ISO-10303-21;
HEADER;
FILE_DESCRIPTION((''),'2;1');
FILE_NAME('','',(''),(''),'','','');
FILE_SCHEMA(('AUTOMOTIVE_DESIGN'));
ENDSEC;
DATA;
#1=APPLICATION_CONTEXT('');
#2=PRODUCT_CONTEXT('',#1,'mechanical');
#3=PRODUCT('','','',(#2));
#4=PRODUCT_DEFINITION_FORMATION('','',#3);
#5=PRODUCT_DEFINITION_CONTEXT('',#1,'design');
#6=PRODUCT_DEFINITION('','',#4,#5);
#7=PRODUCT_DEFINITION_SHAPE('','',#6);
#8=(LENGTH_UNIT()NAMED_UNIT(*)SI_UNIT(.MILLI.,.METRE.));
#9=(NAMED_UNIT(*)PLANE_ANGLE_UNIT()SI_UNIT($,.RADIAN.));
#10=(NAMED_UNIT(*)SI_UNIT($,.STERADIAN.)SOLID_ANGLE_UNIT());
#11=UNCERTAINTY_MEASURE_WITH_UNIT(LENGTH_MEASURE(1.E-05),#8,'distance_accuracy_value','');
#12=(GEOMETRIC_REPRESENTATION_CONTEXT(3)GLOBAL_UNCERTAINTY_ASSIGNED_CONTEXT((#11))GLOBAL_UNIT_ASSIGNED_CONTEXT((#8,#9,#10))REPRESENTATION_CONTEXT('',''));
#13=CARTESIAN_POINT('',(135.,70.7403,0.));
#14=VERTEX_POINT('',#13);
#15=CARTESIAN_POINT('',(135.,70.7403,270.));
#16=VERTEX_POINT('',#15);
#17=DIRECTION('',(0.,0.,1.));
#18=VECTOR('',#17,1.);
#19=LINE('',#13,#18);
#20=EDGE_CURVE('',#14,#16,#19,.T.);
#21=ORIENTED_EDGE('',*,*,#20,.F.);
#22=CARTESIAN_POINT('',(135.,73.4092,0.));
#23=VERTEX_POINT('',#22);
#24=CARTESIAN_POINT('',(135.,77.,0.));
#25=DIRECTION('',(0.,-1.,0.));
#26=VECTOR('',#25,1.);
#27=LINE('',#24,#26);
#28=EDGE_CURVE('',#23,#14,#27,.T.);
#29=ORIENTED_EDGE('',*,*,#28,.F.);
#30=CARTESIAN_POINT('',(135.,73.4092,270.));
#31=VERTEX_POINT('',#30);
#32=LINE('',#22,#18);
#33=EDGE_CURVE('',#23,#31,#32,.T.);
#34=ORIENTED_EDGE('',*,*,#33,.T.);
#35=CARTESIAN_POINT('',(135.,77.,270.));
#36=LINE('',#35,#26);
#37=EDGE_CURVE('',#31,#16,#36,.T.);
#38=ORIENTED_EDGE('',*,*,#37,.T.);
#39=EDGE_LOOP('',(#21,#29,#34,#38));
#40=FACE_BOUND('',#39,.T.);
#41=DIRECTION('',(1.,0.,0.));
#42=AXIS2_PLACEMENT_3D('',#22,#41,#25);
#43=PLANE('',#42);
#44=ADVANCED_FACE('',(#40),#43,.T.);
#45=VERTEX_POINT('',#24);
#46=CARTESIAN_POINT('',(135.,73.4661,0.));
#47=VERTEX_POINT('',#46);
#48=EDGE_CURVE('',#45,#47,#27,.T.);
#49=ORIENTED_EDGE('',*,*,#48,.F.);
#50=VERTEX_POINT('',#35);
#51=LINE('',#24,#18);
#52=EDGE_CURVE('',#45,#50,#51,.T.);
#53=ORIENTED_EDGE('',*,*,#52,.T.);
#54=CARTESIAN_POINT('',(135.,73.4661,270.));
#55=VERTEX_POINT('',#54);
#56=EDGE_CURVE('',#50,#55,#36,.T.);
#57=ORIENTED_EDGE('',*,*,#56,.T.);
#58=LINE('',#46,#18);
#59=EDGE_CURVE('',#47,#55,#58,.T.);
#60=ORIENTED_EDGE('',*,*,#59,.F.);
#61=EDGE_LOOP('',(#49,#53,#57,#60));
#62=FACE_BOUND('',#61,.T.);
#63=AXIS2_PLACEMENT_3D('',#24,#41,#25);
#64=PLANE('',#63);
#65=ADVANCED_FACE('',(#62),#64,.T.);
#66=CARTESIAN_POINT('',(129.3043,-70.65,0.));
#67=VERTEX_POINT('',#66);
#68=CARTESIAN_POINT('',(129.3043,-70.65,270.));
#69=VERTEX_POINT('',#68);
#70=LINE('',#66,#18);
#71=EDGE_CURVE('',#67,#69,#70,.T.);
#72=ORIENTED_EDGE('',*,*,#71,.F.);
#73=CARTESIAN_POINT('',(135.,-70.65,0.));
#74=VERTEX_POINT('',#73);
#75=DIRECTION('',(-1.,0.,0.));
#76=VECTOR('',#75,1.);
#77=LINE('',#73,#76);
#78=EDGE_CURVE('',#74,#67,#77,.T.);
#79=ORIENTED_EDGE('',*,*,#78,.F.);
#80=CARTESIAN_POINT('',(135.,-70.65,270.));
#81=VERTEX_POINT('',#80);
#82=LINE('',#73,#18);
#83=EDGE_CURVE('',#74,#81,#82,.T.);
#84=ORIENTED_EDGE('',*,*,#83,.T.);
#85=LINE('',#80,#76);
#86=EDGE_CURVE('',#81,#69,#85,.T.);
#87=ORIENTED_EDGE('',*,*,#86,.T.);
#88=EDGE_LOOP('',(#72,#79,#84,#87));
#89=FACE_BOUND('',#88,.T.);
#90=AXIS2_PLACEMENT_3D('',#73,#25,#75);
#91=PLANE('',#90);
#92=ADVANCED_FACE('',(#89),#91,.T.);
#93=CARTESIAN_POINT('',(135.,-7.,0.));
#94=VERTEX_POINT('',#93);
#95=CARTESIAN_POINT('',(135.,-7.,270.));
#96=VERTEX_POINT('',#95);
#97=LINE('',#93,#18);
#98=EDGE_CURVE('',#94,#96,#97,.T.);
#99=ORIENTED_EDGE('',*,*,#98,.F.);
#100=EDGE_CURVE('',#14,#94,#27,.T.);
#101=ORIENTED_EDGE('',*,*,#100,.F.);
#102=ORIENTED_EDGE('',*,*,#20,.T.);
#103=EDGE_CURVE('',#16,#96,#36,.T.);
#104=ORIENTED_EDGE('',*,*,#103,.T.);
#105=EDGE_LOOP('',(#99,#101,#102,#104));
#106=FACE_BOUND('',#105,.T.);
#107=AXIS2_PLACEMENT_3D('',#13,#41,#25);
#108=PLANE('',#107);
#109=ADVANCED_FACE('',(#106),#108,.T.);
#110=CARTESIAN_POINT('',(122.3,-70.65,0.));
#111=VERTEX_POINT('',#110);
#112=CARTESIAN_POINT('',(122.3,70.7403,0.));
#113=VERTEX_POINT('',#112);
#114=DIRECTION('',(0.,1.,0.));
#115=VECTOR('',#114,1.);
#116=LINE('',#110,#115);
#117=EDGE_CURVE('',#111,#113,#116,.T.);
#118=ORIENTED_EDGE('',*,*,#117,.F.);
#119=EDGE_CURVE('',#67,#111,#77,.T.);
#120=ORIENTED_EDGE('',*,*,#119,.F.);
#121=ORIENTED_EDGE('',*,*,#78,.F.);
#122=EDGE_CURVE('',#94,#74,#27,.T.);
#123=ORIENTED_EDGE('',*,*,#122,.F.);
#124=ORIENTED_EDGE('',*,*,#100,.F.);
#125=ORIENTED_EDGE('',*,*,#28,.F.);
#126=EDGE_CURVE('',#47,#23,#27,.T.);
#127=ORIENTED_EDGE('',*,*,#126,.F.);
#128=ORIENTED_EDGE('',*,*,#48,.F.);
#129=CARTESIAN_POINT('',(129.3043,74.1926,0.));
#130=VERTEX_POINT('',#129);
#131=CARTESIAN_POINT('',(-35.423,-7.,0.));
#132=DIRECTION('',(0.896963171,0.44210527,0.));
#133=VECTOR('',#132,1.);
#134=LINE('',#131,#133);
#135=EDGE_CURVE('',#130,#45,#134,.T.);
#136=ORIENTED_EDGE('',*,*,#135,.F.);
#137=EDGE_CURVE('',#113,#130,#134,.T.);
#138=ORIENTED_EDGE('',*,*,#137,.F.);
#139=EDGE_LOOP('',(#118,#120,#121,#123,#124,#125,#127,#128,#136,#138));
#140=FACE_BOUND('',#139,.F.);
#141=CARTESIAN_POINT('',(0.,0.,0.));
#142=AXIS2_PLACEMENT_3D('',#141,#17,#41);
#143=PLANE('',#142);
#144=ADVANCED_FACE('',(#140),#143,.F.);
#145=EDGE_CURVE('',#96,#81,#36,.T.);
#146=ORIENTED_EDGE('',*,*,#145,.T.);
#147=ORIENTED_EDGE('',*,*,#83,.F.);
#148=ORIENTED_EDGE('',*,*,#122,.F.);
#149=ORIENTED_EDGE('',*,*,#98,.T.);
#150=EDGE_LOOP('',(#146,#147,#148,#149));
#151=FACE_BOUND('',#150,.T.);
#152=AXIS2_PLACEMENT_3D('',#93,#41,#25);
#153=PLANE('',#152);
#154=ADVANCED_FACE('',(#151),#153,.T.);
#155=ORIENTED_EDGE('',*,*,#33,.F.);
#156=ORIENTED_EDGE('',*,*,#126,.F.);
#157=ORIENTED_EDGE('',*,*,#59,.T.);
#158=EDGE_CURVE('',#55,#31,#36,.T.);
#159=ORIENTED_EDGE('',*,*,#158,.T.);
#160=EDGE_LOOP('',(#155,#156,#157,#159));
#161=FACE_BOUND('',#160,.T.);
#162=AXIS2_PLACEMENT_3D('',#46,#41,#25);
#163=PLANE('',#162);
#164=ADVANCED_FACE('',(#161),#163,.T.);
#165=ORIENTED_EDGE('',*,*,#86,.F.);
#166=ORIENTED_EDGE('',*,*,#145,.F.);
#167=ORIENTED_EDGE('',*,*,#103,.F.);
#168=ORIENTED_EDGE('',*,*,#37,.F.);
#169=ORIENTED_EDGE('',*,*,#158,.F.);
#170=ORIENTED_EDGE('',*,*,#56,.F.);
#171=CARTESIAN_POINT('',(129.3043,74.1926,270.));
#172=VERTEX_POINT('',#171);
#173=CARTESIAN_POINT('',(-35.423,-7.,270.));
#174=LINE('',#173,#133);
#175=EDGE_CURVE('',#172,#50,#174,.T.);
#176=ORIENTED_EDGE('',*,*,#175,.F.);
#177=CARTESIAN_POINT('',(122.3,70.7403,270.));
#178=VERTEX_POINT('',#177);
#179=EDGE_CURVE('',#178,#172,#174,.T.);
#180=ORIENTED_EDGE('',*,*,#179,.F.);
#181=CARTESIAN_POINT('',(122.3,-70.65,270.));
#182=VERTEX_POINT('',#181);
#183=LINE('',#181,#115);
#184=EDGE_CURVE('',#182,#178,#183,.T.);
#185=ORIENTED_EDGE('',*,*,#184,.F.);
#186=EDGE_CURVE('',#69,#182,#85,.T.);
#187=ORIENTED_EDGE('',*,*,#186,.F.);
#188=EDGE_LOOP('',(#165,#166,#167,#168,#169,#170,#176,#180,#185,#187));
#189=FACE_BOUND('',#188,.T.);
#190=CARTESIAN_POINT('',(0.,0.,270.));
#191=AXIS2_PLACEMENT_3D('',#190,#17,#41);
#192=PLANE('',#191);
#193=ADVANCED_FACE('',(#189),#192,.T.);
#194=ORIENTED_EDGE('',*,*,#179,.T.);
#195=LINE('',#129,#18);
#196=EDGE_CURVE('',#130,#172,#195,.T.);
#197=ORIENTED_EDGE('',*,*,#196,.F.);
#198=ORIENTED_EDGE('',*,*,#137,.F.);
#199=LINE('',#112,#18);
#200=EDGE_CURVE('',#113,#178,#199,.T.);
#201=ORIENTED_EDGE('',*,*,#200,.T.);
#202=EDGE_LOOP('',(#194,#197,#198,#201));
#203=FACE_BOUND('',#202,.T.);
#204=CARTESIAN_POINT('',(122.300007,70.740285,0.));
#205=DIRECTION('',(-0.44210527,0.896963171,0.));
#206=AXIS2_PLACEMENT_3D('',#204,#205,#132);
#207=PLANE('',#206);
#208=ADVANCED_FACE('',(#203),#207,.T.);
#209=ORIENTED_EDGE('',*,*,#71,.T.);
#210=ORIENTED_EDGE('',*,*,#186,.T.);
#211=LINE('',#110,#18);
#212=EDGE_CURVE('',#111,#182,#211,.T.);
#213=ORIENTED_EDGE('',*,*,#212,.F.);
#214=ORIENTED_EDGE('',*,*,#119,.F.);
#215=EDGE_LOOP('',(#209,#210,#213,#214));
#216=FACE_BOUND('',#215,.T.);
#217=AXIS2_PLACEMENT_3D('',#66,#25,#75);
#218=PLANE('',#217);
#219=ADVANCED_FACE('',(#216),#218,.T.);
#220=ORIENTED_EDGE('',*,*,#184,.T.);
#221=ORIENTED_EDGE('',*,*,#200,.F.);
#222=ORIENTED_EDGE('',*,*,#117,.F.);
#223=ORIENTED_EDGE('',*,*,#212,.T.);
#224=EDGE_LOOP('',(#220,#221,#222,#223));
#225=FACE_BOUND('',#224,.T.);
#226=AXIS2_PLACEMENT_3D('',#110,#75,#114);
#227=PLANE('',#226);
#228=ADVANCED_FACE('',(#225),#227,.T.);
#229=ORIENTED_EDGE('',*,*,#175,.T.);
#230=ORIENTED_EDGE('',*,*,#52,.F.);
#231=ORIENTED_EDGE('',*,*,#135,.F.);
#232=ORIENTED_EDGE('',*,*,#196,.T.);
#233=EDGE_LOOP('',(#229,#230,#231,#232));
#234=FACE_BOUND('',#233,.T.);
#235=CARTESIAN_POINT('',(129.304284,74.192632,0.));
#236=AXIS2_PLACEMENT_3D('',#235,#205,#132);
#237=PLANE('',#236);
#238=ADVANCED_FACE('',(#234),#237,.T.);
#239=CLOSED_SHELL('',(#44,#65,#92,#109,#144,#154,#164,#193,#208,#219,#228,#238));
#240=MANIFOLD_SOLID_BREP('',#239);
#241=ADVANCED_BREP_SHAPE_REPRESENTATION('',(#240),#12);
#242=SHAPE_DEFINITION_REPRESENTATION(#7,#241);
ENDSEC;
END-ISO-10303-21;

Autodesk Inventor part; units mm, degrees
ref_plane "YZ Plane" through (0, 0, 0) normal (1, 0, 0) x (0, 1, 0)
ref_plane "XZ Plane" through (0, 0, 0) normal (0, 1, 0) x (-1, 0, 0)
ref_plane "XY Plane" through (0, 0, 0) normal (0, 0, 1) x (1, 0, 0)
sketch "Sketch1" plane through (0, 0, 0) normal (0, 0, 1) x (1, 0, 0)
  line L0 (135, 77) -> (135, -77) projected
  line L1 (135, -70.65) -> (-135, -70.65) projected
  line L2 (-35.423, -7) -> (135, 77) projected
  line L3 (-135, -7) -> (-35.423, -7) projected
  line L4 (135, -70.65) -> (129.3043, -70.65)
  line L5 (135, 73.4092) -> (135, -70.65)
  line L6 (135, -70.65) -> (129.3043, -70.65)
  line L7 (135, -7) -> (135, -70.65)
  line L8 (135, 77) -> (135, 73.4661)
  line L9 (135, 77) -> (129.3043, 74.1926)
  line L10 (135, -70.65) -> (122.3, -70.65)
  line L11 (122.3, -70.65) -> (122.3, 70.7403)
  line L12 (135, 70.7403) -> (135, -70.65)
  line L13 (129.3043, 74.1926) -> (122.3, 70.7403)
  point P0 (0, 0)
extrude "Extrusion1" add sketch "Sketch1" along normal blind 270
properties part number "Back"
